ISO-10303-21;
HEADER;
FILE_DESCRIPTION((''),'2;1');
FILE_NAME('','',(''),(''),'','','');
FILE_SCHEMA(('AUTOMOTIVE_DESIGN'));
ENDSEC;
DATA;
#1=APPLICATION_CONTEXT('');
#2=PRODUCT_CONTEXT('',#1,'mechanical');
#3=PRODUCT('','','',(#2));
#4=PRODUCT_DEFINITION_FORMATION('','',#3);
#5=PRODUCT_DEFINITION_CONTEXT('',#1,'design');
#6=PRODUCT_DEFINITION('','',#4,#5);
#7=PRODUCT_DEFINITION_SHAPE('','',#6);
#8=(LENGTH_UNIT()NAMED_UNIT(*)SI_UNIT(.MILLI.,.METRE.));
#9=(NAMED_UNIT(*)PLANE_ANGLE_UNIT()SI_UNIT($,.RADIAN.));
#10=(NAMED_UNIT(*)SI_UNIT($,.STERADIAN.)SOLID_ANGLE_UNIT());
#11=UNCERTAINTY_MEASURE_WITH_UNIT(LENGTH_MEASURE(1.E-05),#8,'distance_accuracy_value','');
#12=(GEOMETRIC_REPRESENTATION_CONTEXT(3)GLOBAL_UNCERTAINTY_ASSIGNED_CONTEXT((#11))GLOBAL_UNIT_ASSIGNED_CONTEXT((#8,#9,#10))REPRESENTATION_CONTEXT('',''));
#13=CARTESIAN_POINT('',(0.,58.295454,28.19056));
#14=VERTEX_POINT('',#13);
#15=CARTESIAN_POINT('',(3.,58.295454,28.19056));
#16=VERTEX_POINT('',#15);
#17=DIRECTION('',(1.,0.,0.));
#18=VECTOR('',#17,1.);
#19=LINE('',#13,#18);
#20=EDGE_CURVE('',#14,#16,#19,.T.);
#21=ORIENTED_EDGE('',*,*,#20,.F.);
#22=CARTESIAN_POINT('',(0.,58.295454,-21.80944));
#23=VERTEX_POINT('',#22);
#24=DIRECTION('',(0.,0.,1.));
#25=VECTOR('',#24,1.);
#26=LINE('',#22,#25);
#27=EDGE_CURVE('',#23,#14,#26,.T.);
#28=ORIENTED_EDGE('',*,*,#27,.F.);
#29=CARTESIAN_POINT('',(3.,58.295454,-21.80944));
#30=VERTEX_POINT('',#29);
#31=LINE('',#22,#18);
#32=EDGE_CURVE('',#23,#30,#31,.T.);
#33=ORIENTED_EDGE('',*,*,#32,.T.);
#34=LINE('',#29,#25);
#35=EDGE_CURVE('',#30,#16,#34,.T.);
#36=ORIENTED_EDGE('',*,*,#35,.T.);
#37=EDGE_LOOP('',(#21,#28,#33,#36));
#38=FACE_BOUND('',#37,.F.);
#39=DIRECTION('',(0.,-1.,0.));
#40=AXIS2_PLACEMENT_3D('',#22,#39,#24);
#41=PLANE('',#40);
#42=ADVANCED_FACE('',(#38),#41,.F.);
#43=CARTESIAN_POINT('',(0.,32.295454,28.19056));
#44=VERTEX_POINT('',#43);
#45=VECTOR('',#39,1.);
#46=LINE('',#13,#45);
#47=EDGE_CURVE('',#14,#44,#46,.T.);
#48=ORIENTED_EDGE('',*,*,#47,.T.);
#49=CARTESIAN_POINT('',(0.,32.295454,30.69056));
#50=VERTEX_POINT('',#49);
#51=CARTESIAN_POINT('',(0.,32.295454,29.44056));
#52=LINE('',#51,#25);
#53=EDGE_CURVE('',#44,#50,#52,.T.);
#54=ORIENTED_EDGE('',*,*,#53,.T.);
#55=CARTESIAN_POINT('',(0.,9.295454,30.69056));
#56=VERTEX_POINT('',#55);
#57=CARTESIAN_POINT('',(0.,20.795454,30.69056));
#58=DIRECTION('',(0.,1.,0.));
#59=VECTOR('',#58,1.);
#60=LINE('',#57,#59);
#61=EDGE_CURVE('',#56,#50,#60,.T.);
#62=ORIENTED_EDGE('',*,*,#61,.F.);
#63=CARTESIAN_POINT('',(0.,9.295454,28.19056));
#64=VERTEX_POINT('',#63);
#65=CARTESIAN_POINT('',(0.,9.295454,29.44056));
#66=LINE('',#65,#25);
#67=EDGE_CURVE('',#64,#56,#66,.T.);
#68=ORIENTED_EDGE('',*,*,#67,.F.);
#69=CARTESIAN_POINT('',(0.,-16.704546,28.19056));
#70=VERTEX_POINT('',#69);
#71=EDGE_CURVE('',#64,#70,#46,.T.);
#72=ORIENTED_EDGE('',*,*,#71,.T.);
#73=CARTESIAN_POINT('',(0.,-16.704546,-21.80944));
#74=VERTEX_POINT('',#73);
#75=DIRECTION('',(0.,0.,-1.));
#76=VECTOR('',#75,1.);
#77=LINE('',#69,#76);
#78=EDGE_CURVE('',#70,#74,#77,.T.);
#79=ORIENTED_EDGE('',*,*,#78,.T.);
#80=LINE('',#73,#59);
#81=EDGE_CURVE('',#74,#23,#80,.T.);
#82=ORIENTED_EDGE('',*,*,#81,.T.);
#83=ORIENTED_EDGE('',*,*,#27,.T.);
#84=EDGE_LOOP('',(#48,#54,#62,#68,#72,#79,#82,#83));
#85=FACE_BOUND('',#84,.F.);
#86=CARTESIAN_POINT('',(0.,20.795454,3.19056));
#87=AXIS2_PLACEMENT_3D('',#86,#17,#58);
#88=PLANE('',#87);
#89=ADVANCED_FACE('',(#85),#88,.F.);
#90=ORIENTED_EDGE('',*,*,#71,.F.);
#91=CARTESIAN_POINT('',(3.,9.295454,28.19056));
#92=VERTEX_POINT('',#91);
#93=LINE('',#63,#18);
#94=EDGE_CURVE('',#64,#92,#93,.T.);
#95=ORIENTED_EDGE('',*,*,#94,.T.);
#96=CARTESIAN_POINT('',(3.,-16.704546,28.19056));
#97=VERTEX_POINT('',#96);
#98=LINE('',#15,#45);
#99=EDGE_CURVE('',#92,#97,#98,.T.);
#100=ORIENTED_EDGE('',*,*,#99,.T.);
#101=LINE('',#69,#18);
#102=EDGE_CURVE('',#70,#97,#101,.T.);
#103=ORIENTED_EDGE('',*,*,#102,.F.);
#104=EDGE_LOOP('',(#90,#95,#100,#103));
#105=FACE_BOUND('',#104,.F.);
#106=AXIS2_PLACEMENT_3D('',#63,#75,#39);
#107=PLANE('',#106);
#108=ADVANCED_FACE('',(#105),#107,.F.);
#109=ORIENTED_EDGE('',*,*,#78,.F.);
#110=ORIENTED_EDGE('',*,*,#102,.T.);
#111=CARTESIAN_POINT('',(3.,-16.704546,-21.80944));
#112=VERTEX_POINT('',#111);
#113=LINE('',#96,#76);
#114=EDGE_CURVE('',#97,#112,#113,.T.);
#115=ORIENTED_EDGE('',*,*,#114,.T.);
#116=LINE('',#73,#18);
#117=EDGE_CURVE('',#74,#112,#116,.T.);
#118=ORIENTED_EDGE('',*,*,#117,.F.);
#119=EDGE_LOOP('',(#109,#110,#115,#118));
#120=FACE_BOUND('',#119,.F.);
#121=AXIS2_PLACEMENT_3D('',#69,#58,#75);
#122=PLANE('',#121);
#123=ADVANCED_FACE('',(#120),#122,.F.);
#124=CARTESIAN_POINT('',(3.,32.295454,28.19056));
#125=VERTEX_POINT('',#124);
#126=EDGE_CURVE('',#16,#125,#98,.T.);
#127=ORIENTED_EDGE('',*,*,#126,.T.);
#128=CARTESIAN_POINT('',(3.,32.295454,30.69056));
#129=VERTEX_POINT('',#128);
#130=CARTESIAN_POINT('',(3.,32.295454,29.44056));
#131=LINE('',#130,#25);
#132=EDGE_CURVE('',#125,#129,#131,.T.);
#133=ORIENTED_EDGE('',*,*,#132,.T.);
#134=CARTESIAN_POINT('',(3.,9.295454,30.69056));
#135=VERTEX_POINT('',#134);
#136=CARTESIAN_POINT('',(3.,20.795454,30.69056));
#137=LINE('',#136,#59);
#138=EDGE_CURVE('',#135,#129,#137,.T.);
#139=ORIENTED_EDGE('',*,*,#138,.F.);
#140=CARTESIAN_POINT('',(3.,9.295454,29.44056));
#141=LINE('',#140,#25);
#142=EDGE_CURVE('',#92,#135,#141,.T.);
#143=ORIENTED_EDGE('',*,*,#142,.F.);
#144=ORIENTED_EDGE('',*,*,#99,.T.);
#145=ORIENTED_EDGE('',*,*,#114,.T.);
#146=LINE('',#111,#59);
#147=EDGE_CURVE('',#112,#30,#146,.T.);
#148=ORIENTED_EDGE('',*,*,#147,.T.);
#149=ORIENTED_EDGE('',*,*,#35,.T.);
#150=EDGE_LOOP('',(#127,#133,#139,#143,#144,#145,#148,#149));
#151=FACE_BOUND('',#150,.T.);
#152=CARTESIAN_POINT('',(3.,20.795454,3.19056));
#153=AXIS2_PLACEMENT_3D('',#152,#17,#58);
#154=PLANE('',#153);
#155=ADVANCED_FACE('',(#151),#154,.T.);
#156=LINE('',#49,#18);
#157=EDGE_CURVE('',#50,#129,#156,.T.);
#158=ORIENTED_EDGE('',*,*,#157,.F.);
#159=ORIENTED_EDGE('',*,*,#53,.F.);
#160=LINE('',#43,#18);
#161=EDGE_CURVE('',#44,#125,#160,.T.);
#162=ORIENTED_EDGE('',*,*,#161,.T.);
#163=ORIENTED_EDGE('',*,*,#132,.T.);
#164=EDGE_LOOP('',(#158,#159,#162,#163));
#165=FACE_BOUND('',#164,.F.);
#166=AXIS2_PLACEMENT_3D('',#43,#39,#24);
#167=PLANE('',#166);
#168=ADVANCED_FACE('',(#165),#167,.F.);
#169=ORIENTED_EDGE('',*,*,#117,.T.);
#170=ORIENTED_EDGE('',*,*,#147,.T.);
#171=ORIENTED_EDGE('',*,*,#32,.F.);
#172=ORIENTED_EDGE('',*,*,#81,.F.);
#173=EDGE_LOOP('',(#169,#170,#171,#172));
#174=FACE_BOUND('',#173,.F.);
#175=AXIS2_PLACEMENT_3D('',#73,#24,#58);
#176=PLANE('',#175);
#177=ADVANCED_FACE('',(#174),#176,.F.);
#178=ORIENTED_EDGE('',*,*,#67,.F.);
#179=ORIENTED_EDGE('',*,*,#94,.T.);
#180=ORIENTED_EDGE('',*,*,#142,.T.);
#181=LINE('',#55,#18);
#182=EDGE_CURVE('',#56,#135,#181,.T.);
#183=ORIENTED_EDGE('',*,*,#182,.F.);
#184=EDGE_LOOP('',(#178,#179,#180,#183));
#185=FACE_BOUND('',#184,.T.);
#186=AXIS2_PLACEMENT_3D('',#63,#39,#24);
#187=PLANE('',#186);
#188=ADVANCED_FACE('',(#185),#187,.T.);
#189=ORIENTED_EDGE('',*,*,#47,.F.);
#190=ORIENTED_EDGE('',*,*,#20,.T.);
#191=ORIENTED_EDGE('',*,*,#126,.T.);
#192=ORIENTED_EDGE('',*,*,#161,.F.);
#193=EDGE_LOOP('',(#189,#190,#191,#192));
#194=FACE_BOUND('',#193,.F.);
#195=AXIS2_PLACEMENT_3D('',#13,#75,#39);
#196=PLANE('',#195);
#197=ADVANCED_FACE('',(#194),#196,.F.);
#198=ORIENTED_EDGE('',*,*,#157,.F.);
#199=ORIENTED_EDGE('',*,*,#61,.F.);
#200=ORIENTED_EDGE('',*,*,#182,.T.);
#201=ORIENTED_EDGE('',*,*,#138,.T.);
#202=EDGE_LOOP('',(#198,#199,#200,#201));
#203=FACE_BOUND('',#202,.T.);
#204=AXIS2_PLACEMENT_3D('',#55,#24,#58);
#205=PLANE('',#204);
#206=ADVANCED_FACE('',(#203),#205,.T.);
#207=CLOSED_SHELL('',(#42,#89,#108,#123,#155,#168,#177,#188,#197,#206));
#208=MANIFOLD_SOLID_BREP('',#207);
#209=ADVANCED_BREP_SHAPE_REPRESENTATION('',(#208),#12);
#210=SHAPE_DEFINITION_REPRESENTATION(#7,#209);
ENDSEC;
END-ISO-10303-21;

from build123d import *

# Parameters (mm, degrees)
F0_W     = 23
F0_H     = 2.5
F1_DEPTH = 3


with BuildPart() as f1:
    # F0 (on Right) → F1 (new body)
    with BuildSketch(Plane.YZ):
        Polygon((9.295454, 28.19056), (-16.704546, 28.19056), (-16.704546, -21.80944), (58.295454, -21.80944), (58.295454, 28.19056), (32.295454, 28.19056), align=None)
        with Locations((20.795454, 29.44056)):
            Rectangle(F0_W, F0_H)
    extrude(amount=F1_DEPTH)


solid = f1.part
